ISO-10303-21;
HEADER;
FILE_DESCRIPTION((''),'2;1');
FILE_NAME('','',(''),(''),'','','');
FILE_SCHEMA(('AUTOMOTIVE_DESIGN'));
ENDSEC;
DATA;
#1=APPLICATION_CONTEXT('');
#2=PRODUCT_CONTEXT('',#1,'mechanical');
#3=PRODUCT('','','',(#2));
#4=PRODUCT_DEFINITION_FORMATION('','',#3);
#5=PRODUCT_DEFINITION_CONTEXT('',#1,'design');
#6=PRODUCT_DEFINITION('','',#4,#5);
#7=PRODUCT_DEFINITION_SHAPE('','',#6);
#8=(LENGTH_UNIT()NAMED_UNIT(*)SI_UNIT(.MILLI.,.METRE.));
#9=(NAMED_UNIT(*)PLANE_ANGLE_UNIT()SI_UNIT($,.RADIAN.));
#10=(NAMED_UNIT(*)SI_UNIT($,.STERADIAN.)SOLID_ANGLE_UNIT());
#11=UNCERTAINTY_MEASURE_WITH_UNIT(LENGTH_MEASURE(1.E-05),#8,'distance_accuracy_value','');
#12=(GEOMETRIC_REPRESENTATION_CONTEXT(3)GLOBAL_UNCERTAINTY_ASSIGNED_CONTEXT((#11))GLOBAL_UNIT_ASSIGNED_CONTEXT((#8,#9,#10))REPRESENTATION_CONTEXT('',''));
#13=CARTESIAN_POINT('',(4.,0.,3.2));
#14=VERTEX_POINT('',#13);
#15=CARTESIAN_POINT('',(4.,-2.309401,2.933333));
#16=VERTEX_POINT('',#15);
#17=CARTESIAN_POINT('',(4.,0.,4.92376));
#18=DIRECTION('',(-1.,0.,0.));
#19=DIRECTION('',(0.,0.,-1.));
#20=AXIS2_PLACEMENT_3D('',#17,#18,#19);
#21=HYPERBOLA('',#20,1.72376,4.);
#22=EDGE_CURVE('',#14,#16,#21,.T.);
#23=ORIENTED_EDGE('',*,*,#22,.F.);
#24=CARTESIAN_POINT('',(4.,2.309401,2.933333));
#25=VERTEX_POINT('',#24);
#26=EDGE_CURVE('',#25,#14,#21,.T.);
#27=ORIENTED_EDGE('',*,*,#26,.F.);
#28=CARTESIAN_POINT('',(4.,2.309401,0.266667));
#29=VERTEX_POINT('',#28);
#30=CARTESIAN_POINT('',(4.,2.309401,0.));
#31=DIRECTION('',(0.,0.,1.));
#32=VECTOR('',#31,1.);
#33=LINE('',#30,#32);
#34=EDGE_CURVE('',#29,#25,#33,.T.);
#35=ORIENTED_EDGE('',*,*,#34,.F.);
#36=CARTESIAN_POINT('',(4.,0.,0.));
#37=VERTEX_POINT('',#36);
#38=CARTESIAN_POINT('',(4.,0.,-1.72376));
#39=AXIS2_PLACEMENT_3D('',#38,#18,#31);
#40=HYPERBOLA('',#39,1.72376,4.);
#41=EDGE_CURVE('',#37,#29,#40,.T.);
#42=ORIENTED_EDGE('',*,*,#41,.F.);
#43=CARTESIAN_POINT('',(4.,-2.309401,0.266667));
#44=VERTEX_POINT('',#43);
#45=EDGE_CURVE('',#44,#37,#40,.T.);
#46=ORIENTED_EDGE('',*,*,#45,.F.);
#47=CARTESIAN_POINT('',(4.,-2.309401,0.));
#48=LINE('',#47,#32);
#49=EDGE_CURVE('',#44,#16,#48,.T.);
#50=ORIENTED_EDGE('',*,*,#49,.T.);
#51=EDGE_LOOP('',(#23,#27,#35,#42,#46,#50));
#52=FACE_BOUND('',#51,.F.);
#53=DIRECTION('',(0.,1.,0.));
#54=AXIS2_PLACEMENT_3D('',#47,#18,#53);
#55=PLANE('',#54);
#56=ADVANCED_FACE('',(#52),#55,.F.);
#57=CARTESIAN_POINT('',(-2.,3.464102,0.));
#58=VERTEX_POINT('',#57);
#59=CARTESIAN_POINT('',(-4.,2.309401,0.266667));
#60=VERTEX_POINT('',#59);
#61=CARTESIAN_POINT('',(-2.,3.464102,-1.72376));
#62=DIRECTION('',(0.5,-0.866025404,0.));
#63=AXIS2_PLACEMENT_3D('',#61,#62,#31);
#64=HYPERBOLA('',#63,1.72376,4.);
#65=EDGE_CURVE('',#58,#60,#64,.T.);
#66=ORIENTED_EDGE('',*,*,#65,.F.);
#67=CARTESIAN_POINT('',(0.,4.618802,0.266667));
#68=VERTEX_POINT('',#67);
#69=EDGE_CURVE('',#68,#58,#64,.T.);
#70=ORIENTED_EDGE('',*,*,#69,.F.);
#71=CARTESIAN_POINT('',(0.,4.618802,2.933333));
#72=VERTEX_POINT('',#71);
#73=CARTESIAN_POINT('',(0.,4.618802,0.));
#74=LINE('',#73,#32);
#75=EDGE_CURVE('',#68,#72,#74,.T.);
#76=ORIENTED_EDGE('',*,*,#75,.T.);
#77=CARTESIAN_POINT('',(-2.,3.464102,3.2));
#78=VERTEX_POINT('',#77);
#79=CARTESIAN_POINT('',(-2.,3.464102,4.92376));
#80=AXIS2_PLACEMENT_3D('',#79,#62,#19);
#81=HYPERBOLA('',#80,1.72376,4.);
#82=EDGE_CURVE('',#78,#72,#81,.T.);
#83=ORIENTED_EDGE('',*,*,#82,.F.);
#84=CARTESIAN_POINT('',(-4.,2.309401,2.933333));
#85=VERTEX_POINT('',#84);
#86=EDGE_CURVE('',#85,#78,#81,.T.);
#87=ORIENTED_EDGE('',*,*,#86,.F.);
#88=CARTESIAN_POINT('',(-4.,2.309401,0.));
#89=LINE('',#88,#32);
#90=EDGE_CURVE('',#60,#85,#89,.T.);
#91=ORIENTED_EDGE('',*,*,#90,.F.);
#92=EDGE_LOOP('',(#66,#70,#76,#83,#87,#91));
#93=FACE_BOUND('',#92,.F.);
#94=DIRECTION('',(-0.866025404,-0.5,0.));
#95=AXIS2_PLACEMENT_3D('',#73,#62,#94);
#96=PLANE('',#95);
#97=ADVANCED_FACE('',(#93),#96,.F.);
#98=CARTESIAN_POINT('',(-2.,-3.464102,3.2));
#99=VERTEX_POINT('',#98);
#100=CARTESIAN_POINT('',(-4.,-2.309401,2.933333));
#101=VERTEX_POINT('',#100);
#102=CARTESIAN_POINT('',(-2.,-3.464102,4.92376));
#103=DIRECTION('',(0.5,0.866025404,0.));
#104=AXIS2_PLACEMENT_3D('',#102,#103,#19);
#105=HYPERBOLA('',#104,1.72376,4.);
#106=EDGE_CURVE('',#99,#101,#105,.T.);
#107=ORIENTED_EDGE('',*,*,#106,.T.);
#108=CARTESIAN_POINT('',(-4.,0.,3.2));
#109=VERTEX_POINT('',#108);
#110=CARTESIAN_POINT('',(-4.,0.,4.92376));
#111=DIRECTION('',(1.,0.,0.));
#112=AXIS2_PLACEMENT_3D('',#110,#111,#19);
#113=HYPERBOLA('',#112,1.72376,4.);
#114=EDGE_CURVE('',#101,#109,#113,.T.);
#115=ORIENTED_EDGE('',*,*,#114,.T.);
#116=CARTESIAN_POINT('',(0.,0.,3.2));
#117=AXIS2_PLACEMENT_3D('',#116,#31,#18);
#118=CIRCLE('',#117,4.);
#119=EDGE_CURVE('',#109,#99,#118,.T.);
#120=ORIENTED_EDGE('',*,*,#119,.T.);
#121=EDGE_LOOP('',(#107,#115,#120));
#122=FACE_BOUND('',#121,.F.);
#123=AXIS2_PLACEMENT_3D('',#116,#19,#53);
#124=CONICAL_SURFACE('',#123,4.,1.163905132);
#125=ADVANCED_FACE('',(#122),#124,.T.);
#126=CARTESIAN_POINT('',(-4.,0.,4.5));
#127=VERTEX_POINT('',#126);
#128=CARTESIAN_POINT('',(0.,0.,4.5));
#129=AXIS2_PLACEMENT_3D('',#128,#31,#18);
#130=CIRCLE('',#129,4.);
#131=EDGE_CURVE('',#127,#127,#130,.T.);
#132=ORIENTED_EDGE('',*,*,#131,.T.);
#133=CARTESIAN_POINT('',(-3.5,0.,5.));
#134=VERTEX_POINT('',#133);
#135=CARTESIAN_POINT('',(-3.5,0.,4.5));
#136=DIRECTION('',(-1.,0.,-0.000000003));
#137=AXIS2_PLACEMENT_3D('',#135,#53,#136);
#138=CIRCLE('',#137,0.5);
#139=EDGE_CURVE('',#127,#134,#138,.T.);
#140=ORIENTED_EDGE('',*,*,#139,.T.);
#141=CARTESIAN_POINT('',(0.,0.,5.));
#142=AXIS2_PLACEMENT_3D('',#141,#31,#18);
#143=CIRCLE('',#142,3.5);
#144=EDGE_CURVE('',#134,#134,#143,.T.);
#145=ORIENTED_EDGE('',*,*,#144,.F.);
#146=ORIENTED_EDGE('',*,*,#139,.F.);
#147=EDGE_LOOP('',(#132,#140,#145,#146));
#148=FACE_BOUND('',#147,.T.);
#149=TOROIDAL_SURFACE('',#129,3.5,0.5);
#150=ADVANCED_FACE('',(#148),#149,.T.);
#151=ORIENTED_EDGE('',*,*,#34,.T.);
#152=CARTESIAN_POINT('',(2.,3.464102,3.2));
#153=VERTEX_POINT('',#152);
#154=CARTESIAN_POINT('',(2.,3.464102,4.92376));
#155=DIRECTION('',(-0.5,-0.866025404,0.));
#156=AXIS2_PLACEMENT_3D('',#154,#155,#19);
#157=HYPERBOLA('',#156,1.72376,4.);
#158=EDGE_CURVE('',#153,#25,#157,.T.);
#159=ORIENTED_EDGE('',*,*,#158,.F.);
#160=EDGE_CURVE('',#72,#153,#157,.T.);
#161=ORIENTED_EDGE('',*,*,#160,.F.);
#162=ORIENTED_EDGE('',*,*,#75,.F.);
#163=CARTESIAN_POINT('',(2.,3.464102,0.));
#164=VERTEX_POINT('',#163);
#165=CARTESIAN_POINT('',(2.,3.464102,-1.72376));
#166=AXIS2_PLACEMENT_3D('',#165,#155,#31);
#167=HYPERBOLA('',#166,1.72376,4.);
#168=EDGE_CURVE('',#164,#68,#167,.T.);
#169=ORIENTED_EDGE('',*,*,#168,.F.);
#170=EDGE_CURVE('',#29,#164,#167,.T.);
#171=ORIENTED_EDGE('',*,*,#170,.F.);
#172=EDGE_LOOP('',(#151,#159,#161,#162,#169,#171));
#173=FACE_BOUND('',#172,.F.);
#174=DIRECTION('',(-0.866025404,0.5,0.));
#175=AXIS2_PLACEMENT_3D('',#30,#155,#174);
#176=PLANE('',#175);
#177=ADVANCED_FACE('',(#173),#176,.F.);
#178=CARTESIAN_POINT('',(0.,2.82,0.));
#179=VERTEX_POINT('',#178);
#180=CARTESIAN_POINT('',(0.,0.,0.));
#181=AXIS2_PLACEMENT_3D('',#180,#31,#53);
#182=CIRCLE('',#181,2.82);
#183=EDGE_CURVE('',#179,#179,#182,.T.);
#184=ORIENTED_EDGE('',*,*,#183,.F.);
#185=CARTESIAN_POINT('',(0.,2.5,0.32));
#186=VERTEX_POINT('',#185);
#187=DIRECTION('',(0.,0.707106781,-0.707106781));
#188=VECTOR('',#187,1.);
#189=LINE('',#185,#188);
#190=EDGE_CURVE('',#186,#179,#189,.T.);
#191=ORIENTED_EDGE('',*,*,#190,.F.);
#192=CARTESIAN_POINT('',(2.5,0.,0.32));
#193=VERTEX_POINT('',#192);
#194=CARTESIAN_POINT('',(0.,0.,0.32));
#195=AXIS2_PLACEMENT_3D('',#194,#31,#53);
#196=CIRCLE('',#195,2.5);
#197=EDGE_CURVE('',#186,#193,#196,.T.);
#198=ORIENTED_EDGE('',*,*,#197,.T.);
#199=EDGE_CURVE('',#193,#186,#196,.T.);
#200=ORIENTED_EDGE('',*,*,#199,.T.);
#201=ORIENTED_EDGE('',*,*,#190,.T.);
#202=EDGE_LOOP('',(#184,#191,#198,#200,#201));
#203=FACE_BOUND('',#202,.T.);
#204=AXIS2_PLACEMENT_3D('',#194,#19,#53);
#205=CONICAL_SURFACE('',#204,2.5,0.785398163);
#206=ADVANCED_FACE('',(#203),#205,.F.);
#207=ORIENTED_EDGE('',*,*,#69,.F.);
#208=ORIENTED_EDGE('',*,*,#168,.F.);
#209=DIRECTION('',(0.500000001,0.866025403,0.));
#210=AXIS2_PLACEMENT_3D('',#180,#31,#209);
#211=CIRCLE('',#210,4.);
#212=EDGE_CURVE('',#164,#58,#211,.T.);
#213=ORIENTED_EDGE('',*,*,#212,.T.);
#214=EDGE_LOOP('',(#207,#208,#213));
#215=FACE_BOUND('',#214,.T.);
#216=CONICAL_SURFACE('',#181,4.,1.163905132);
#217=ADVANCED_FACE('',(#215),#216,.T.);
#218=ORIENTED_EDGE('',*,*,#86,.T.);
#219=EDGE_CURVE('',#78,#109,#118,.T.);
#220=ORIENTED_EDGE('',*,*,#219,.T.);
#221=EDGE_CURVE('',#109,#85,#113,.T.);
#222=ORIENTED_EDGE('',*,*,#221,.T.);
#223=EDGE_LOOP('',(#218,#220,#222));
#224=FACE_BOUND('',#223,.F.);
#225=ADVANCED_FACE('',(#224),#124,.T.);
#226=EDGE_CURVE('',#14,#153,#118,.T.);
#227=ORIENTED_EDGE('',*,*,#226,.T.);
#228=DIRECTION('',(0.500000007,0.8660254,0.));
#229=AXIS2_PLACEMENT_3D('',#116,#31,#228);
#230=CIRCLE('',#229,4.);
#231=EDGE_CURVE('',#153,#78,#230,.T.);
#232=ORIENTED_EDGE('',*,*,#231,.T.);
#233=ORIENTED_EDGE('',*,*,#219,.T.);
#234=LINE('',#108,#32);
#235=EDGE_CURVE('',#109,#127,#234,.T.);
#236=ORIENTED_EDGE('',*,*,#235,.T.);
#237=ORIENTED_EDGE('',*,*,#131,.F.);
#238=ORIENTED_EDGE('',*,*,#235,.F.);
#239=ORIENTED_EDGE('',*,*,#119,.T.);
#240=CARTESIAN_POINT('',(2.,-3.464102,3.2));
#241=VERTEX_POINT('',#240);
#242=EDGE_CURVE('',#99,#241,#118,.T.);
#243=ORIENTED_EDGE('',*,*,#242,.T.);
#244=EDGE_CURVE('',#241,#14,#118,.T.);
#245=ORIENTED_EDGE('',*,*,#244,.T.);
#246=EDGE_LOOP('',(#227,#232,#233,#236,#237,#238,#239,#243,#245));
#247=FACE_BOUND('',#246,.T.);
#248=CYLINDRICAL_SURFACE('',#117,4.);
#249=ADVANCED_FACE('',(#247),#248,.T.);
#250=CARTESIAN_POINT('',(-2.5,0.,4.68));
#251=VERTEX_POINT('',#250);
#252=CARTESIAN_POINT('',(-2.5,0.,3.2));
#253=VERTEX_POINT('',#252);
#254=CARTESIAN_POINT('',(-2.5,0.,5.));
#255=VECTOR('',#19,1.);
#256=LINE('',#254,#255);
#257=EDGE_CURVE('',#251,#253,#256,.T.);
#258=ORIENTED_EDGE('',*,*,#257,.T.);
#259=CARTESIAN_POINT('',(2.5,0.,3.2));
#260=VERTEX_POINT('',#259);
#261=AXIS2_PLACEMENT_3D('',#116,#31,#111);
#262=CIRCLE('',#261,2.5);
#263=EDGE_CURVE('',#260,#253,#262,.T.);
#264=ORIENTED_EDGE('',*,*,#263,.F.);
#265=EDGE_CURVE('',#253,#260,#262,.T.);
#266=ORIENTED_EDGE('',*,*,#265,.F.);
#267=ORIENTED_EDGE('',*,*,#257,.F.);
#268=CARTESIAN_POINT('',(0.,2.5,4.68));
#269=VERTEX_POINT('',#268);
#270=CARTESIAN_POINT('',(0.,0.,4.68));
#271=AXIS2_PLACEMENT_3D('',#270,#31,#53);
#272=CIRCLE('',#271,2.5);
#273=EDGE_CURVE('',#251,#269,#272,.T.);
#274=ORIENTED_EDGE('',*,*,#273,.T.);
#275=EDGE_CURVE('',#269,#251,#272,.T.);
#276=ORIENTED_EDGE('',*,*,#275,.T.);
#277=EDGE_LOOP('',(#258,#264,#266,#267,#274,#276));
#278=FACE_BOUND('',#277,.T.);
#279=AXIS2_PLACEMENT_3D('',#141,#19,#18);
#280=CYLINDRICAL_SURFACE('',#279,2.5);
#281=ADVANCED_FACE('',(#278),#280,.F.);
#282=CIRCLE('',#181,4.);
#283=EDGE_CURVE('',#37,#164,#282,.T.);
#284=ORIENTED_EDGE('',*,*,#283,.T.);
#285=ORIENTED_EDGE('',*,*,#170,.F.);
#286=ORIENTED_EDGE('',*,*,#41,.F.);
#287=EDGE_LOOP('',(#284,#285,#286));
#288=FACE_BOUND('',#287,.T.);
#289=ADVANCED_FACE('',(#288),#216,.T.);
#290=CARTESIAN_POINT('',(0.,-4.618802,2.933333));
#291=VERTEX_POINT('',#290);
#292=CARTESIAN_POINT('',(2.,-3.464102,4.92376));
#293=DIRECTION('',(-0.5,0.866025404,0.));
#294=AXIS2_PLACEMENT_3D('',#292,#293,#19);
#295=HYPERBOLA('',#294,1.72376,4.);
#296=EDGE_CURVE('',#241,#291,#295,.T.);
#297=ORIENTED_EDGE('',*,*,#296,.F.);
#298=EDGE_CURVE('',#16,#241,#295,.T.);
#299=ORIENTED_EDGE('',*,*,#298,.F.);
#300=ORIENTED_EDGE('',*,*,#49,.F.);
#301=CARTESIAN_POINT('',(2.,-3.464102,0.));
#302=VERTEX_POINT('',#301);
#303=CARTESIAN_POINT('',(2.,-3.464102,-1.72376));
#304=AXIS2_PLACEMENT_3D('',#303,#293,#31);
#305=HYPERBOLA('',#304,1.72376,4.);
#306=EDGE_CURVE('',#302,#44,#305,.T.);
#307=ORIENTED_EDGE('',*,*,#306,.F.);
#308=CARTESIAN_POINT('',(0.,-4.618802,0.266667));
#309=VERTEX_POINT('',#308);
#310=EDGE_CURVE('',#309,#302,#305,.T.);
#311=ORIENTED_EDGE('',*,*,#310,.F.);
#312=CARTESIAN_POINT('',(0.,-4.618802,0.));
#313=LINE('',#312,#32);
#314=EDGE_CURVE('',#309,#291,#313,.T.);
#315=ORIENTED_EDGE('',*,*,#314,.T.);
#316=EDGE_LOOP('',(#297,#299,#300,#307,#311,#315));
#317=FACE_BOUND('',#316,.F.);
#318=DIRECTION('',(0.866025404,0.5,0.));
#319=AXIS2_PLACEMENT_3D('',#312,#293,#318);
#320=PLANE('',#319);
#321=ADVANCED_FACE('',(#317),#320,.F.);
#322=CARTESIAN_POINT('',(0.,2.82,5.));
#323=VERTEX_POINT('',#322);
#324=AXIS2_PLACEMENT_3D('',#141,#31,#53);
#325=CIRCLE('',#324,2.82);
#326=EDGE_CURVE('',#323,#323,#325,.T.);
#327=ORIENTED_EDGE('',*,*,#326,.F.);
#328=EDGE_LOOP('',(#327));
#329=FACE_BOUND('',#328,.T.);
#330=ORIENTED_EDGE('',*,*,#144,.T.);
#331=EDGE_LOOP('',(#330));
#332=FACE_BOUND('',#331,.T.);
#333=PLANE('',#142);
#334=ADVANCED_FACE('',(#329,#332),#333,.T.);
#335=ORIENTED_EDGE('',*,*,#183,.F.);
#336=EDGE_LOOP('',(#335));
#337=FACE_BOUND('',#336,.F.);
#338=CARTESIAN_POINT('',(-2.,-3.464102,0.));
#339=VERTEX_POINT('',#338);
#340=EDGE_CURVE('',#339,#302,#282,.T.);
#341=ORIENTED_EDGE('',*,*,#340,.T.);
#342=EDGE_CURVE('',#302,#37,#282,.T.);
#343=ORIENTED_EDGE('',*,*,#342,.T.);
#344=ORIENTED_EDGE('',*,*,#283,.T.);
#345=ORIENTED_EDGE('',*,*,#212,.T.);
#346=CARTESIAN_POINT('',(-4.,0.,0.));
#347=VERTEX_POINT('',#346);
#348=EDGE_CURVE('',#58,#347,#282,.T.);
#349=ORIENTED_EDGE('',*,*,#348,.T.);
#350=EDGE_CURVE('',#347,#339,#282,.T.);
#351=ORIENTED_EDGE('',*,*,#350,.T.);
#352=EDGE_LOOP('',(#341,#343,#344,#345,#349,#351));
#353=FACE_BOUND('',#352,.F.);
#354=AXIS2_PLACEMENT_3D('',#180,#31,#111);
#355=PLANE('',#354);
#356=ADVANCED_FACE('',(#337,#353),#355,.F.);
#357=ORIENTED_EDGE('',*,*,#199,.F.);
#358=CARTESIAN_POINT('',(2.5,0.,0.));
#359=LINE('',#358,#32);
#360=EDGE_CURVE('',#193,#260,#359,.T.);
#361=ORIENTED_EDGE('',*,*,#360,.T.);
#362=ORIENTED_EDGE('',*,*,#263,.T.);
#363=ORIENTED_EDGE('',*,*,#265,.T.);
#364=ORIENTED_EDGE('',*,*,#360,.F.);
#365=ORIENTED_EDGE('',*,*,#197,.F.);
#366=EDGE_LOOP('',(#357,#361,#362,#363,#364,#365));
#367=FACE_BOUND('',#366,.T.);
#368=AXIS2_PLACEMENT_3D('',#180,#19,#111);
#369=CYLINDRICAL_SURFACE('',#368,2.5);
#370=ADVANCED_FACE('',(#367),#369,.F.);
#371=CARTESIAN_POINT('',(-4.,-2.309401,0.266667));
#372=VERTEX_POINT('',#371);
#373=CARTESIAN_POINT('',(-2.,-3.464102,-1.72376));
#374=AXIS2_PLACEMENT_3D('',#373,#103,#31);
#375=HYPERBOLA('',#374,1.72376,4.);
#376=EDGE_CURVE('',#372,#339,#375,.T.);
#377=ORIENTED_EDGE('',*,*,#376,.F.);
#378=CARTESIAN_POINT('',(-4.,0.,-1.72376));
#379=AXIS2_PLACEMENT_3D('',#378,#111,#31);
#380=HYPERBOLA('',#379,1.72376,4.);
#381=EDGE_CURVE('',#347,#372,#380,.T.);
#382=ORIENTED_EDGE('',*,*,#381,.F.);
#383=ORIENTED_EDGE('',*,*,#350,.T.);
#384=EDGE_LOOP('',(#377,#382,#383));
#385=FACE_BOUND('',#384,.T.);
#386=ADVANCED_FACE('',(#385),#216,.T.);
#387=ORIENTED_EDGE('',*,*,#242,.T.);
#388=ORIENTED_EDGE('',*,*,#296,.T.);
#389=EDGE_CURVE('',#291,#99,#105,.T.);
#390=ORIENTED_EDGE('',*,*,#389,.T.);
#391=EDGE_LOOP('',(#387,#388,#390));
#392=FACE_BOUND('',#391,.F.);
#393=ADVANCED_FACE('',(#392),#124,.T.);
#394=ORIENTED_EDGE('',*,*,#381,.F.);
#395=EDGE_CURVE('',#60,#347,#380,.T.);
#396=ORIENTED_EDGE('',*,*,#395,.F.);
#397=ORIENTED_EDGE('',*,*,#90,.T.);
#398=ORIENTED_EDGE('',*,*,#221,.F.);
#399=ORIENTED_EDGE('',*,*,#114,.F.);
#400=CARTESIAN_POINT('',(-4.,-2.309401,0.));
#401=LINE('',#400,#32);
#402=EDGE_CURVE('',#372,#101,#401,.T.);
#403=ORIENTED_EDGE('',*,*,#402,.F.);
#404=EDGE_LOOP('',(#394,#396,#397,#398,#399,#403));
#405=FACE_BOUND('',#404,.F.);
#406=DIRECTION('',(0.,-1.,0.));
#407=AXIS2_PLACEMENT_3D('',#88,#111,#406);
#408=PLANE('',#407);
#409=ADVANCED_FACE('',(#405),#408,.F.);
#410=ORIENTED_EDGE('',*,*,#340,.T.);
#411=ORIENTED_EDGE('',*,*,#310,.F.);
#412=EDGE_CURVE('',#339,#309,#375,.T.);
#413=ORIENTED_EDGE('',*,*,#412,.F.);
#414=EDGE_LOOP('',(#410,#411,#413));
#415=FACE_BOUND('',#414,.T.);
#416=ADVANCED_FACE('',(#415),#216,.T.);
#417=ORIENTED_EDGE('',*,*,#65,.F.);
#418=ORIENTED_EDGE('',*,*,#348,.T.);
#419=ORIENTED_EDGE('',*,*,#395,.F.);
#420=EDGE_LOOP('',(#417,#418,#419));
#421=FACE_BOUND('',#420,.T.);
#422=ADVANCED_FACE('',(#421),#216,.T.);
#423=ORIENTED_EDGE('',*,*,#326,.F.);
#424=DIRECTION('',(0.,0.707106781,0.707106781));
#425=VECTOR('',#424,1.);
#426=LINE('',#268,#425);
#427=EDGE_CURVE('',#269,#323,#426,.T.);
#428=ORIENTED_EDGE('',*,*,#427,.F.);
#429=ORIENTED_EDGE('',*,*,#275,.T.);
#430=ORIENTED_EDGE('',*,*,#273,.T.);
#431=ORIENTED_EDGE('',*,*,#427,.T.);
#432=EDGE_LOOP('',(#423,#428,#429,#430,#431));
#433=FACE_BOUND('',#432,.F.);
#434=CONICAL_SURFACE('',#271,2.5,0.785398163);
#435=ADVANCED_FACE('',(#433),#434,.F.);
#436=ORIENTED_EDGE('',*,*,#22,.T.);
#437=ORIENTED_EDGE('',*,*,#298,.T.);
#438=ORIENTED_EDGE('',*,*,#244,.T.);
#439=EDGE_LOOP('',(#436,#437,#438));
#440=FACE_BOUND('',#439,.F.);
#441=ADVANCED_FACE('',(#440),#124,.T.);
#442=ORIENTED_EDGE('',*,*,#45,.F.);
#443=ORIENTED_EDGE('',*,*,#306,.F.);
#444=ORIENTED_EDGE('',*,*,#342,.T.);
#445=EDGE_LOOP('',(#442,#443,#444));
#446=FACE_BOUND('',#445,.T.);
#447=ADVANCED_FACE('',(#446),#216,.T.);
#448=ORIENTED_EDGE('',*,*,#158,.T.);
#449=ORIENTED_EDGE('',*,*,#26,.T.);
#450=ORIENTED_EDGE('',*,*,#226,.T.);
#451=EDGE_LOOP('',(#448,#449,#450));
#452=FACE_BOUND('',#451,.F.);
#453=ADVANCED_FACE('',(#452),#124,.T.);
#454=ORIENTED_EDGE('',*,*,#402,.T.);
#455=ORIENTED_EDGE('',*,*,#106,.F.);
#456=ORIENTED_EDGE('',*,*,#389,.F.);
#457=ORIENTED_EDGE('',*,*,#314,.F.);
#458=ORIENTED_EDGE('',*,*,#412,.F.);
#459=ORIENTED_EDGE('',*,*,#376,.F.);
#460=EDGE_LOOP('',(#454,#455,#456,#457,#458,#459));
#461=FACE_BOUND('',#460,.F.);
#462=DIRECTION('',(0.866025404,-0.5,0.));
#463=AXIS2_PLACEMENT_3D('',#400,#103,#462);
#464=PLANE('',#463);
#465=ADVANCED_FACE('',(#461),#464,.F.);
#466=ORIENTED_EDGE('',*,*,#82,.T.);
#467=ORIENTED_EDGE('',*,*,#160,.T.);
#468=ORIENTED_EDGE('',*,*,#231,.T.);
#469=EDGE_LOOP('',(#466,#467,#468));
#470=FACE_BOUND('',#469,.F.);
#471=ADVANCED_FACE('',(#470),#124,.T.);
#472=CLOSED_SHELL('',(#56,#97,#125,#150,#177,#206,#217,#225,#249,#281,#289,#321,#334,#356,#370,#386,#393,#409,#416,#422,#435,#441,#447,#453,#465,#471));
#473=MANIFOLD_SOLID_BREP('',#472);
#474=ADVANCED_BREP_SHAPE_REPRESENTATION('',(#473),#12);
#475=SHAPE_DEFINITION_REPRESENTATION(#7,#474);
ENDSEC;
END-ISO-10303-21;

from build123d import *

# Parameters (mm, degrees)
SKETCH1_R           = 2.5
BOSS_EXTRUDE1_DEPTH = 3.2


with BuildPart() as part:
    # Sketch1 → Boss-Extrude1 (new body)
    with BuildSketch(Plane.XY):
        Polygon((0, -4.618802154), (4, -2.309401077), (4, 2.309401077), (0, 4.618802154), (-4, 2.309401077), (-4, -2.309401077), align=None)
        Circle(SKETCH1_R, mode=Mode.SUBTRACT)
    extrude(amount=BOSS_EXTRUDE1_DEPTH)

    # Sketch3 → Revolve1 (revolve)
    with BuildSketch(Plane(origin=(0, 0, 0), x_dir=(0, 0, -1), z_dir=(0, 1, 0))):
        with BuildLine():
            Line((-3.2, 4), (-4.5, 4))
            ThreePointArc((-4.5, 4), (-4.853553391, 3.853553391), (-5, 3.5))
            Line((-5, 3.5), (-5, 2.5))
            Line((-5, 2.5), (-3.2, 2.5))
            Line((-3.2, 2.5), (-3.2, 4))
        make_face()
    revolve(axis=Axis((0, 0, 0), (0, 0, 1)))

    # Sketch2 → Cut-Revolve1 (revolve, cut)
    with BuildSketch(Plane(origin=(0, 0, 0), x_dir=(0, 0, -1), z_dir=(1, 0, 0))):
        Polygon((-3.2, 4.618802154), (-3.2, 4), (-2.933333333, 4.618802154), align=None)
        Polygon((-0.266666667, 4.618802154), (0, 4.618802154), (0, 4), align=None)
        Polygon((-5, 2.5), (-4.68, 2.5), (-5, 2.82), align=None)
        Polygon((0, 2.5), (-0.32, 2.5), (0, 2.82), align=None)
    revolve(axis=Axis((0, 0, 0), (0, 0, 1)), mode=Mode.SUBTRACT)


solid = part.part
